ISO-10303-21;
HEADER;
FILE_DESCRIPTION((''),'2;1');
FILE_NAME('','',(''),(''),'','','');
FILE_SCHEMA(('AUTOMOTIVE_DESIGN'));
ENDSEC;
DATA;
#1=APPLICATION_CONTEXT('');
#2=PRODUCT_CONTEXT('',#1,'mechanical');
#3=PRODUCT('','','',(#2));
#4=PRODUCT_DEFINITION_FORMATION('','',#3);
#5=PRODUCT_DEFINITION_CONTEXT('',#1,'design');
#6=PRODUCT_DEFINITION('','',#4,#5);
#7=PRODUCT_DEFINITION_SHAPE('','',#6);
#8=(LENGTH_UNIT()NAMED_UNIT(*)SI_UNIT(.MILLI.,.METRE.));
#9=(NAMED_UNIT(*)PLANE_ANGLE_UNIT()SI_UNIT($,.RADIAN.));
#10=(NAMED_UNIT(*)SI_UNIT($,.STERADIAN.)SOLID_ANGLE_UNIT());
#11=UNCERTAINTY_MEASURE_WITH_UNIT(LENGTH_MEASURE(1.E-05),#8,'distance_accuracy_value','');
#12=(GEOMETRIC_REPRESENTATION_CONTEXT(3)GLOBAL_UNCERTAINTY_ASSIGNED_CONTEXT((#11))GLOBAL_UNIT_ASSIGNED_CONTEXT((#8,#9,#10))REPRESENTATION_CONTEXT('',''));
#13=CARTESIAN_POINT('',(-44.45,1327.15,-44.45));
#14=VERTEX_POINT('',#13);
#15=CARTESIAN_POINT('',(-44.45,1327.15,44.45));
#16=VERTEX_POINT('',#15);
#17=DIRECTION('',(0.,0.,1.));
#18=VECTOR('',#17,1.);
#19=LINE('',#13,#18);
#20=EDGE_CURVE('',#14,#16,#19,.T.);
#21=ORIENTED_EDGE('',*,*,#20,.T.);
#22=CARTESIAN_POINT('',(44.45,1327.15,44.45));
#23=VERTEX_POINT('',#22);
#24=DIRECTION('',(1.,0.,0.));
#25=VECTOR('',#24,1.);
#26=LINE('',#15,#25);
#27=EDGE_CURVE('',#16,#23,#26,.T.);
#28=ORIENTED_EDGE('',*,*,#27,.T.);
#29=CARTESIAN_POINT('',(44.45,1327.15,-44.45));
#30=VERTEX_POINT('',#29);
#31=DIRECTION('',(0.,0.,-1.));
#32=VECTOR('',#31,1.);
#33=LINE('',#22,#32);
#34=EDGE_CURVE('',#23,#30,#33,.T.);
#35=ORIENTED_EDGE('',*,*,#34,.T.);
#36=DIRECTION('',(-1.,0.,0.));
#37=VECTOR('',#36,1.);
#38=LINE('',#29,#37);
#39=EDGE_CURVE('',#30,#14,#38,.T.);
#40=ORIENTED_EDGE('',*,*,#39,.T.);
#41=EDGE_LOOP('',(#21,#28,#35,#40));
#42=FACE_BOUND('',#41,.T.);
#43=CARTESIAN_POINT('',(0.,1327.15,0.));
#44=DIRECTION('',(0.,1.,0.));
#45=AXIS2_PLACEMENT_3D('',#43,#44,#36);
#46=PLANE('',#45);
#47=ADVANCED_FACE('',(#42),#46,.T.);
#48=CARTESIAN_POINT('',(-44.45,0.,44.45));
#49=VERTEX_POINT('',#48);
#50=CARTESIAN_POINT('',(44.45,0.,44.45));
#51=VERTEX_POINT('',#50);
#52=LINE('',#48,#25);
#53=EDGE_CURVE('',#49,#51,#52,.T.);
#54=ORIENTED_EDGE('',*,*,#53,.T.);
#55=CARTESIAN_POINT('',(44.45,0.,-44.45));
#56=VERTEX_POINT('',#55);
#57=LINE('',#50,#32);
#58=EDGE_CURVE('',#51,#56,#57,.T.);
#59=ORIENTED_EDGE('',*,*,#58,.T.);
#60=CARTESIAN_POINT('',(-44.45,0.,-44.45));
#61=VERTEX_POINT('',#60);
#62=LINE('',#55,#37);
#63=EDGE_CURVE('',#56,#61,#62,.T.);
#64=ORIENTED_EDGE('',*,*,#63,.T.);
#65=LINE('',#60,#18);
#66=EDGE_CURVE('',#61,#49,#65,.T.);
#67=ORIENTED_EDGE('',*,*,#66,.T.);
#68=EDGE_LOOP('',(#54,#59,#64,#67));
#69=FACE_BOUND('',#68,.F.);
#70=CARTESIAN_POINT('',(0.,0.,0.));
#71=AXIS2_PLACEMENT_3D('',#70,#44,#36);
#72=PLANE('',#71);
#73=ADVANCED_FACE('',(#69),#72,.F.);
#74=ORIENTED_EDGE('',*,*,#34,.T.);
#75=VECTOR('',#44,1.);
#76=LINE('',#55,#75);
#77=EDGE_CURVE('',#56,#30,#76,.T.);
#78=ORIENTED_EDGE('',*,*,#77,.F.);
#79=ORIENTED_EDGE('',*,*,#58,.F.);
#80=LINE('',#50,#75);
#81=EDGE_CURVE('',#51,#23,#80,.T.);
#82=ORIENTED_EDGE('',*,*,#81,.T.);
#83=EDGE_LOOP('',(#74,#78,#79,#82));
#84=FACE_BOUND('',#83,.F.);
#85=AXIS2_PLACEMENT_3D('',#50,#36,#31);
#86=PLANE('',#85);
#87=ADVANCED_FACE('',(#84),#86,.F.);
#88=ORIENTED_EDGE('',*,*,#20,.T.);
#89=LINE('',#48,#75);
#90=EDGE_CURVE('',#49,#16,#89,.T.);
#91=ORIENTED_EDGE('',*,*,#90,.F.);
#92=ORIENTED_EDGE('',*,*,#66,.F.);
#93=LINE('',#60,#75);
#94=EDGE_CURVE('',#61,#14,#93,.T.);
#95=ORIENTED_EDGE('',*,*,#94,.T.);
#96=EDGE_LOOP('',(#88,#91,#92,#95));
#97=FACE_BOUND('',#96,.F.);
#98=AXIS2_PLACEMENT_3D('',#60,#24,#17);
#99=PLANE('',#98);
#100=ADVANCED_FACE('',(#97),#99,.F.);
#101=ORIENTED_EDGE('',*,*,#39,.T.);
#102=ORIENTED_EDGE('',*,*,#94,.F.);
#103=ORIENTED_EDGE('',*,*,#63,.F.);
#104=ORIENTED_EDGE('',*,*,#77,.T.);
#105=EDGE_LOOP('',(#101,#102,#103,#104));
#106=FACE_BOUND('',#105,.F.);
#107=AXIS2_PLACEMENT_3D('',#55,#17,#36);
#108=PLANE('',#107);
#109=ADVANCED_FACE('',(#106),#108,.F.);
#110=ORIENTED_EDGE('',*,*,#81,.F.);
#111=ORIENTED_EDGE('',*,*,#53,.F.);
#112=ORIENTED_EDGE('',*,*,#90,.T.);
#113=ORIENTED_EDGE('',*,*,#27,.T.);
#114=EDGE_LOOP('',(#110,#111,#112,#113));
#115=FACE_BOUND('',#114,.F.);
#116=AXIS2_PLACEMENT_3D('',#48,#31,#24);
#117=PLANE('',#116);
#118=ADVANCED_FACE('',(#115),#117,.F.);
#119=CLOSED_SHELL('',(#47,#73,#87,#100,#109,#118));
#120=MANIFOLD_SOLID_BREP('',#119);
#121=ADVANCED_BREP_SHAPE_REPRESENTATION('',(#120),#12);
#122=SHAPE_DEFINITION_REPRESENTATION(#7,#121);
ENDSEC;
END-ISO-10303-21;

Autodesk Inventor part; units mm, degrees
ref_plane "YZ Plane" through (0, 0, 0) normal (1, 0, 0) x (0, 1, 0)
ref_plane "XZ Plane" through (0, 0, 0) normal (0, 1, 0) x (-1, 0, 0)
ref_plane "XY Plane" through (0, 0, 0) normal (0, 0, 1) x (1, 0, 0)
sketch "Sketch1" plane through (0, 0, 0) normal (0, 1, 0) x (-1, 0, 0)
  line L0 (-44.45, 44.45) -> (-44.45, -44.45)
  line L1 (-44.45, -44.45) -> (44.45, -44.45)
  line L2 (44.45, -44.45) -> (44.45, 44.45)
  line L3 (44.45, 44.45) -> (-44.45, 44.45)
  line L4 (-44.45, 44.45) -> (44.45, -44.45) construction
  line L5 (-44.45, -44.45) -> (44.45, 44.45) construction
  point P0 (0, 0)
  dimension "d0" = 88.9
extrude "Extrusion1" add sketch "Sketch1" along normal blind 1327.15
properties part number "Front Post North Side" material "Wood (Birch)"
